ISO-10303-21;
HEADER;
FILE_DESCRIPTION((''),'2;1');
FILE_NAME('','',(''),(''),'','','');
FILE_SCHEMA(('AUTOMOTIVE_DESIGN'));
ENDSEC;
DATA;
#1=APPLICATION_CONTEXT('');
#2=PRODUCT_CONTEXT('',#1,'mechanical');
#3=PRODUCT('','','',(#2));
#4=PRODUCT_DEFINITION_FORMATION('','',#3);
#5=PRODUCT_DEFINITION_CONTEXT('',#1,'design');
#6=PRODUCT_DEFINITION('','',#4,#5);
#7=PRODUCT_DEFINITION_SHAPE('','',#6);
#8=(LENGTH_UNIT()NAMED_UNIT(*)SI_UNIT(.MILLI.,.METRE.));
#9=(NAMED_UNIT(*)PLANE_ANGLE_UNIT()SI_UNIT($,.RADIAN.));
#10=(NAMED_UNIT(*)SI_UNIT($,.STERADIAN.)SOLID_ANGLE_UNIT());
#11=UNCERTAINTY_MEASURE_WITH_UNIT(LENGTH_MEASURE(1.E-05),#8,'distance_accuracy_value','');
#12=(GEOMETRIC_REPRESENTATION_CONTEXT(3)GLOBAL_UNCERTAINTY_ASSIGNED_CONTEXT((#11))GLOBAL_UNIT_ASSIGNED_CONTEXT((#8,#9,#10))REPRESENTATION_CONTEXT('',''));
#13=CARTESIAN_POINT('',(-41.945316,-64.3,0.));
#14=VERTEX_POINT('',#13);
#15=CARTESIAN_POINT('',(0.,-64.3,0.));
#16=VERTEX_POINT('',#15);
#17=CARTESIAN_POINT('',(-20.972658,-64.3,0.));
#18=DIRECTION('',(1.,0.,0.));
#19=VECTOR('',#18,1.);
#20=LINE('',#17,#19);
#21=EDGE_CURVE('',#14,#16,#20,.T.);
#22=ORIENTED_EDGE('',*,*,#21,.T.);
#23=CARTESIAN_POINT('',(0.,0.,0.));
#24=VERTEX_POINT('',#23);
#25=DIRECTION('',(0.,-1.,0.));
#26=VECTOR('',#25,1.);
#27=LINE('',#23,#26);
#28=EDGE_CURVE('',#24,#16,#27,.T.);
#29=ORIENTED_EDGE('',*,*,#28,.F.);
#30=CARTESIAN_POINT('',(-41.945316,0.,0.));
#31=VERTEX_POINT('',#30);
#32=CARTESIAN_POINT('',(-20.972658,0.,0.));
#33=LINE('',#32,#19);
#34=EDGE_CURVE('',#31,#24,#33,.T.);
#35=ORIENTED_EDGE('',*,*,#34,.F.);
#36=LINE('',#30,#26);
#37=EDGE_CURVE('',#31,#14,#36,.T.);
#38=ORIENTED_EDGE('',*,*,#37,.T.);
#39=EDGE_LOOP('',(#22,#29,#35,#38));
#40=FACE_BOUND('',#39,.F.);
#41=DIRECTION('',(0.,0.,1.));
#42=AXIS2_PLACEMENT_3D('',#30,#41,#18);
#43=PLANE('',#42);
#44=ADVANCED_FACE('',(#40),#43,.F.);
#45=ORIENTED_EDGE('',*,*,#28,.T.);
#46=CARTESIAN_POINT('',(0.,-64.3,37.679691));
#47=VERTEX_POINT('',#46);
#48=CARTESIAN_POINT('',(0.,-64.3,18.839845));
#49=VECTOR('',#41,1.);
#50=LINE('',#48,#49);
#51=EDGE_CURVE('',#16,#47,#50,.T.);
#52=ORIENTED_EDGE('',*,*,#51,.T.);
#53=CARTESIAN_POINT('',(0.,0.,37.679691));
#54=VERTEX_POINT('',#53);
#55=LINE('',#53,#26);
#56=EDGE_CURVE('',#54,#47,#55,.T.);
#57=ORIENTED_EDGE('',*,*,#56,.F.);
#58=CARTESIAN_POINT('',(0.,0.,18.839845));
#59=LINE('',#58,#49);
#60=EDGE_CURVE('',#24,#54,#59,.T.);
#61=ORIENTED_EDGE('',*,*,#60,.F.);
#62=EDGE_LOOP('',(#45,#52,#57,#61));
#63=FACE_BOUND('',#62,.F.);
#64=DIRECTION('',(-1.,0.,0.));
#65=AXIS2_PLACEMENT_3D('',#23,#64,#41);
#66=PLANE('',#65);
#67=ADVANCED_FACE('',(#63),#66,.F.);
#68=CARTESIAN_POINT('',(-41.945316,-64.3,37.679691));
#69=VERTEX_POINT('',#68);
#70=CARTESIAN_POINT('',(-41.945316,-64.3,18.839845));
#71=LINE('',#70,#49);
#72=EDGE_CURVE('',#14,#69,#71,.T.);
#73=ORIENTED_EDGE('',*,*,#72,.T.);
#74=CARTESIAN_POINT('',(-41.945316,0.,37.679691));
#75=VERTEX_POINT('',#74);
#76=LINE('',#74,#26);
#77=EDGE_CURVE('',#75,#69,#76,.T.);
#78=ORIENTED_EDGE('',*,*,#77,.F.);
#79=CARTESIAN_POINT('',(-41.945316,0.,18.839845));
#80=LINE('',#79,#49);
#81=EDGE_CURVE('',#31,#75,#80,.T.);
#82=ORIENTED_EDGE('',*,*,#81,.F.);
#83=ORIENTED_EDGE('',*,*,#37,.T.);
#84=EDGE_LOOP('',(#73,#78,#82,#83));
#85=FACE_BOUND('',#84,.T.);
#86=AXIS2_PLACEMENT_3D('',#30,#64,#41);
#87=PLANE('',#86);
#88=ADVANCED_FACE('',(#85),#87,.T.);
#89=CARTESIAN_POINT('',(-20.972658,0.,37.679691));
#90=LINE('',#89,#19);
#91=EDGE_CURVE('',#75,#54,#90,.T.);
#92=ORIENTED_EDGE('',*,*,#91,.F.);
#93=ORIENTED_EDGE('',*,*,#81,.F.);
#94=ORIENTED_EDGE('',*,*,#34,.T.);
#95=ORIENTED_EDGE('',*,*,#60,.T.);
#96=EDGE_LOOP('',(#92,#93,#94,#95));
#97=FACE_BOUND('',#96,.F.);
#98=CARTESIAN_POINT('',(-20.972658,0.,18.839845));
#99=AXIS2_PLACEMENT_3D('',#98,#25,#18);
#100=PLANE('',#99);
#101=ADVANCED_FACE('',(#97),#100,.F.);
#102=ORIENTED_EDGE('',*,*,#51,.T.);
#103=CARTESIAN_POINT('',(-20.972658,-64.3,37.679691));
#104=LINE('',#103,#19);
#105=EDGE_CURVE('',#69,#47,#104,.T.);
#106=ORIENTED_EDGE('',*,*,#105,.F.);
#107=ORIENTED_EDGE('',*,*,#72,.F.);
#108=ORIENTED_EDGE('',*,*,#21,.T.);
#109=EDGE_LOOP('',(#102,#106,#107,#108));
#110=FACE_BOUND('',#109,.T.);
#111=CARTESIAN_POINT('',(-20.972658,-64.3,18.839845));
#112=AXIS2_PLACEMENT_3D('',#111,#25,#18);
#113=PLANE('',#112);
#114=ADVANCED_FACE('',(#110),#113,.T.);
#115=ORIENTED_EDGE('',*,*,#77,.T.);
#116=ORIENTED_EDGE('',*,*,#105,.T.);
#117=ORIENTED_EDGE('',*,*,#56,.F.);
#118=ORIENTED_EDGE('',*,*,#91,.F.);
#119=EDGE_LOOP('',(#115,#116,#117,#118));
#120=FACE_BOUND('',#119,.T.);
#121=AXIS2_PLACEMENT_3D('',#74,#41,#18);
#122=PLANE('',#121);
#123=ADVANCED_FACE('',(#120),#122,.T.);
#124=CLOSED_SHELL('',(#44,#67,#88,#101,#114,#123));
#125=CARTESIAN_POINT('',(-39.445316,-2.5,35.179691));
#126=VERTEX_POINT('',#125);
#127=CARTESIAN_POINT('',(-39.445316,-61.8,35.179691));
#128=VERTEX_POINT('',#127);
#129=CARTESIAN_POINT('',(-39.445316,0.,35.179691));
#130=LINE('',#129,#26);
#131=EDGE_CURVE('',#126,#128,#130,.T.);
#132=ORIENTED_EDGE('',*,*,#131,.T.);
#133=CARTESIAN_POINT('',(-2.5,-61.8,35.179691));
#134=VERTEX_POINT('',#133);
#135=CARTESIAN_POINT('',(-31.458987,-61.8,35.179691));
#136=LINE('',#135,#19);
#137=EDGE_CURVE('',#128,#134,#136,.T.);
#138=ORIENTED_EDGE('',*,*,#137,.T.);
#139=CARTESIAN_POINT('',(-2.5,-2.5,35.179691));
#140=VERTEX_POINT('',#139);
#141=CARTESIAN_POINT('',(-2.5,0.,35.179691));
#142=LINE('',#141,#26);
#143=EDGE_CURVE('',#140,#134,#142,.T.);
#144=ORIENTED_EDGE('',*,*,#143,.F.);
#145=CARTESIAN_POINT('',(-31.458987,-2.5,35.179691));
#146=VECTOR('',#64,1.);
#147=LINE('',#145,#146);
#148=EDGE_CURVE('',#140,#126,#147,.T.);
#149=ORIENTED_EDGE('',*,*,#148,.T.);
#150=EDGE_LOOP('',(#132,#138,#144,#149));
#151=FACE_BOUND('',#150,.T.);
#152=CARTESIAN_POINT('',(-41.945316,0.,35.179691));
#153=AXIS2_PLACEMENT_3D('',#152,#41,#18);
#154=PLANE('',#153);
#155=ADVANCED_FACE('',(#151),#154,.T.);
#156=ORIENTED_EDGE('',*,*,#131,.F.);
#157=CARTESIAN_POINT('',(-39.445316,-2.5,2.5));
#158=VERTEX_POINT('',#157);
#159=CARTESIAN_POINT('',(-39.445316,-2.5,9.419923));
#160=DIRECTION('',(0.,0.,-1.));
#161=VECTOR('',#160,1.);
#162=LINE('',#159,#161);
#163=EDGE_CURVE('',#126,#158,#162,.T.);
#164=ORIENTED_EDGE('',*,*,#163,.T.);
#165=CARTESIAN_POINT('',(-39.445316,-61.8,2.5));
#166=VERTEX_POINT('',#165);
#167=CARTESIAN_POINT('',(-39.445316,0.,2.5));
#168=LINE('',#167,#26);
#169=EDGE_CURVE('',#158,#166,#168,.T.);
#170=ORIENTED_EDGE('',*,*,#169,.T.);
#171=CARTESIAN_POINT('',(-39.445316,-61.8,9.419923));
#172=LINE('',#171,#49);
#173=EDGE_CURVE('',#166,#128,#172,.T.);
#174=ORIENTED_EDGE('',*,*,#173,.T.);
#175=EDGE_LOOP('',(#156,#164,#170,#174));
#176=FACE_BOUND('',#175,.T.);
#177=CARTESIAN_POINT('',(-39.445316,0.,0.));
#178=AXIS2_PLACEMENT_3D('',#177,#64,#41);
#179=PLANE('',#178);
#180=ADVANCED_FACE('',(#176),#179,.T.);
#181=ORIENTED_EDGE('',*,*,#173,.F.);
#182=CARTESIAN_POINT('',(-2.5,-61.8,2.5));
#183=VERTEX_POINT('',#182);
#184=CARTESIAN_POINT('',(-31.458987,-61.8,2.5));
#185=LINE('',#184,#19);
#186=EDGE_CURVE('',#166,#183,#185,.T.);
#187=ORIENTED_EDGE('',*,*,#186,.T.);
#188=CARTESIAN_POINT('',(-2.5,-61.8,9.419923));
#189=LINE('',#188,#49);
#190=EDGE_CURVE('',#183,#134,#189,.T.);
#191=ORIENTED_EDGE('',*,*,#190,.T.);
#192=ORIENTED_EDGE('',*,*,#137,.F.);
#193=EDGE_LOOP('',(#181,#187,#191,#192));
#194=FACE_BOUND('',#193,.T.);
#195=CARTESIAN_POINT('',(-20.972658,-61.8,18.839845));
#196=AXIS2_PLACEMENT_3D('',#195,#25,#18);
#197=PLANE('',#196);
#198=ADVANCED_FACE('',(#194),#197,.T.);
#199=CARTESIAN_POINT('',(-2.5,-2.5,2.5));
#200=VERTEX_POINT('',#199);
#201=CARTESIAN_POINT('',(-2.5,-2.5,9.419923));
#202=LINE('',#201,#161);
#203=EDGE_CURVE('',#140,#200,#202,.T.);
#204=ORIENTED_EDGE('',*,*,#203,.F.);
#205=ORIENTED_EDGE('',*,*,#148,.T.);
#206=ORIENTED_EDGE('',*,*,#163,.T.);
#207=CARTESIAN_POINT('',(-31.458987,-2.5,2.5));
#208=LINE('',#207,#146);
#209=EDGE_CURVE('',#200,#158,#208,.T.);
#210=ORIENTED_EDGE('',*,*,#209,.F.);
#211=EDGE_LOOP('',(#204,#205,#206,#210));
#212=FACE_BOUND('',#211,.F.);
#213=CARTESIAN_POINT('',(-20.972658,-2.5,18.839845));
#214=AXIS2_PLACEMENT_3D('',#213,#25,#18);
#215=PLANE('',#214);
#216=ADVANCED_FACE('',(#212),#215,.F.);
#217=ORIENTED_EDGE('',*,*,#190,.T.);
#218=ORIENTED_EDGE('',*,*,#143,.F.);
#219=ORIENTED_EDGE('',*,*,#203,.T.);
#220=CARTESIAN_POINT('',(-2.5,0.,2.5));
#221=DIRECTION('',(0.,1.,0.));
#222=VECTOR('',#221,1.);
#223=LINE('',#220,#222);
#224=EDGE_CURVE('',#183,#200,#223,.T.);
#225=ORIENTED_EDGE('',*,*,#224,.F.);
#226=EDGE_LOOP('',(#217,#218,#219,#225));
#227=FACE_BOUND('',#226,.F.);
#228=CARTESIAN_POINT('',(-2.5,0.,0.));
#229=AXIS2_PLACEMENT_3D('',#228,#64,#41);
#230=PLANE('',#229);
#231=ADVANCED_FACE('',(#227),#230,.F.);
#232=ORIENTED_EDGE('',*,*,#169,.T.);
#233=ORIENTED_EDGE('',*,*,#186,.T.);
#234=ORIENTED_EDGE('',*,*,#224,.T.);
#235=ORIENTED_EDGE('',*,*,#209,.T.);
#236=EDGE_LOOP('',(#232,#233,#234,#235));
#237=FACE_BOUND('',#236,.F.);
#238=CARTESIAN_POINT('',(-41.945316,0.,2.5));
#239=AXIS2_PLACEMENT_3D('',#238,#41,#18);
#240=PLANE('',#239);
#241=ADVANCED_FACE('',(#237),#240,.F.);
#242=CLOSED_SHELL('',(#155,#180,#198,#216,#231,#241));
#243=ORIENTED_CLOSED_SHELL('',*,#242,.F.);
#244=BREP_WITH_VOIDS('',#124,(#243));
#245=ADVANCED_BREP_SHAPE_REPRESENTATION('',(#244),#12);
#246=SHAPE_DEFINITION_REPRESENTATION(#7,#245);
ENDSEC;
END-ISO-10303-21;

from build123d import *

# Parameters (mm, degrees)
F0_W     = 41.9453158975
F0_H     = 37.6796908677
F1_DEPTH = 64.3
F2_T     = -2.5


with BuildPart() as f1:
    # F0 (on Front) → F1 (new body)
    with BuildSketch(Plane.XZ):
        with Locations((-20.9726579487, 18.8398454338)):
            Rectangle(F0_W, F0_H)
    extrude(amount=F1_DEPTH)

    # F2 (hollow: no face is removed)
    offset(amount=F2_T, mode=Mode.SUBTRACT)


solid = f1.part
